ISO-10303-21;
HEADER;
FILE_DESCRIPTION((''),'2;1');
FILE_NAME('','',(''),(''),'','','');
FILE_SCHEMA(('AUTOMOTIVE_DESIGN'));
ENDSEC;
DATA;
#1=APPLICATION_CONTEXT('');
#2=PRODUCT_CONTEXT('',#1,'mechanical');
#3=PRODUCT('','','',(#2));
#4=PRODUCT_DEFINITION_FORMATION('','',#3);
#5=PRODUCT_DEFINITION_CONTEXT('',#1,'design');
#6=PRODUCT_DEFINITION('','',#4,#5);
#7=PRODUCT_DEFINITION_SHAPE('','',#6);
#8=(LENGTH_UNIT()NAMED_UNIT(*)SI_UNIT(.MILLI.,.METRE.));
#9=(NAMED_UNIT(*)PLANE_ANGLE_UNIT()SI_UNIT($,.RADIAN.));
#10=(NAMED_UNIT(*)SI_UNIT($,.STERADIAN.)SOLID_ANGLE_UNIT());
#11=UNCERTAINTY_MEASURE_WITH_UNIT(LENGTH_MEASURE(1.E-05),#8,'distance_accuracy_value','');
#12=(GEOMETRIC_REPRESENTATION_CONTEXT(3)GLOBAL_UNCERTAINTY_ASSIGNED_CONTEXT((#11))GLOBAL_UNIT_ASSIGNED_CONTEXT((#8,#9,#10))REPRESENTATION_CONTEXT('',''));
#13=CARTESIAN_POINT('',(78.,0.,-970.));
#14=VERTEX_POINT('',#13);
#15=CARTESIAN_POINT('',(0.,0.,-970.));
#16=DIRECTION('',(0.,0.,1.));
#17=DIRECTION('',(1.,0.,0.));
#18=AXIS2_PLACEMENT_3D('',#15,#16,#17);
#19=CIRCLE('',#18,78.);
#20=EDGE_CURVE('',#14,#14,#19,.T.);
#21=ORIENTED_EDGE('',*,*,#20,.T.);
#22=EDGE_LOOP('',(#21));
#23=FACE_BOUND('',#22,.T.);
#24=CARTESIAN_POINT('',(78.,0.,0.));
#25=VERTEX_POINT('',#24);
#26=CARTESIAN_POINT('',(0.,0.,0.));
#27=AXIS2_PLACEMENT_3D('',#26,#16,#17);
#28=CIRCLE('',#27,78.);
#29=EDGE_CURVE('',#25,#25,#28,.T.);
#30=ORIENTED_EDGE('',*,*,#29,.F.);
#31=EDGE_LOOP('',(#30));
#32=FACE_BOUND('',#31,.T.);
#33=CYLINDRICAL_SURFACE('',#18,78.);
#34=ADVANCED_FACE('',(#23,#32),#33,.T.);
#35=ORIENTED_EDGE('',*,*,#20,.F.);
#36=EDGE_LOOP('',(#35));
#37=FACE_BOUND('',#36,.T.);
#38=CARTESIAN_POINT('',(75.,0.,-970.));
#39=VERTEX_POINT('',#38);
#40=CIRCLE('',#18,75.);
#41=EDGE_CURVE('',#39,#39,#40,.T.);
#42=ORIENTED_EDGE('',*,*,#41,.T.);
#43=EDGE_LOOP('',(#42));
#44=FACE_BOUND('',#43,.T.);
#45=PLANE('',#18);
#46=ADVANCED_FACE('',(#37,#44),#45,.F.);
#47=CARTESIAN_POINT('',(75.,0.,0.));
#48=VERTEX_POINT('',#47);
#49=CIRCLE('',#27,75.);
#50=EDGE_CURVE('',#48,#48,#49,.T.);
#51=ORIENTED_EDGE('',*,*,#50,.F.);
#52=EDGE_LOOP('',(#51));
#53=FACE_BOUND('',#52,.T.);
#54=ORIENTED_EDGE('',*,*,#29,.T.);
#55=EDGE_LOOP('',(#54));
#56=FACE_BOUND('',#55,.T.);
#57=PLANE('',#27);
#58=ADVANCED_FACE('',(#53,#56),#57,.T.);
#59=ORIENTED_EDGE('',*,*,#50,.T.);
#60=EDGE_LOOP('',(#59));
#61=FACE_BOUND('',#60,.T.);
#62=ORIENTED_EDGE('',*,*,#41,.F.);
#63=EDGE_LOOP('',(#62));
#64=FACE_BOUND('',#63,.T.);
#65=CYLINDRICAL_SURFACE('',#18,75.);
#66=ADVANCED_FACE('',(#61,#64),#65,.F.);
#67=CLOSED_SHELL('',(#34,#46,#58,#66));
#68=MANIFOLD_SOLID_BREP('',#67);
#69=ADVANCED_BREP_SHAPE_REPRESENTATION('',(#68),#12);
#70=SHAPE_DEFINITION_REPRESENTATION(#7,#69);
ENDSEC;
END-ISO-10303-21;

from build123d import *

# Parameters (mm, degrees)
SKETCH1_R           = 78
SKETCH1_R_2         = 75
BOSS_EXTRUDE1_DEPTH = 970


with BuildPart() as part:
    # Sketch1 → Boss-Extrude1 (new body)
    with BuildSketch(Plane.XY):
        Circle(SKETCH1_R)
        Circle(SKETCH1_R_2, mode=Mode.SUBTRACT)
    extrude(amount=-BOSS_EXTRUDE1_DEPTH)


solid = part.part
